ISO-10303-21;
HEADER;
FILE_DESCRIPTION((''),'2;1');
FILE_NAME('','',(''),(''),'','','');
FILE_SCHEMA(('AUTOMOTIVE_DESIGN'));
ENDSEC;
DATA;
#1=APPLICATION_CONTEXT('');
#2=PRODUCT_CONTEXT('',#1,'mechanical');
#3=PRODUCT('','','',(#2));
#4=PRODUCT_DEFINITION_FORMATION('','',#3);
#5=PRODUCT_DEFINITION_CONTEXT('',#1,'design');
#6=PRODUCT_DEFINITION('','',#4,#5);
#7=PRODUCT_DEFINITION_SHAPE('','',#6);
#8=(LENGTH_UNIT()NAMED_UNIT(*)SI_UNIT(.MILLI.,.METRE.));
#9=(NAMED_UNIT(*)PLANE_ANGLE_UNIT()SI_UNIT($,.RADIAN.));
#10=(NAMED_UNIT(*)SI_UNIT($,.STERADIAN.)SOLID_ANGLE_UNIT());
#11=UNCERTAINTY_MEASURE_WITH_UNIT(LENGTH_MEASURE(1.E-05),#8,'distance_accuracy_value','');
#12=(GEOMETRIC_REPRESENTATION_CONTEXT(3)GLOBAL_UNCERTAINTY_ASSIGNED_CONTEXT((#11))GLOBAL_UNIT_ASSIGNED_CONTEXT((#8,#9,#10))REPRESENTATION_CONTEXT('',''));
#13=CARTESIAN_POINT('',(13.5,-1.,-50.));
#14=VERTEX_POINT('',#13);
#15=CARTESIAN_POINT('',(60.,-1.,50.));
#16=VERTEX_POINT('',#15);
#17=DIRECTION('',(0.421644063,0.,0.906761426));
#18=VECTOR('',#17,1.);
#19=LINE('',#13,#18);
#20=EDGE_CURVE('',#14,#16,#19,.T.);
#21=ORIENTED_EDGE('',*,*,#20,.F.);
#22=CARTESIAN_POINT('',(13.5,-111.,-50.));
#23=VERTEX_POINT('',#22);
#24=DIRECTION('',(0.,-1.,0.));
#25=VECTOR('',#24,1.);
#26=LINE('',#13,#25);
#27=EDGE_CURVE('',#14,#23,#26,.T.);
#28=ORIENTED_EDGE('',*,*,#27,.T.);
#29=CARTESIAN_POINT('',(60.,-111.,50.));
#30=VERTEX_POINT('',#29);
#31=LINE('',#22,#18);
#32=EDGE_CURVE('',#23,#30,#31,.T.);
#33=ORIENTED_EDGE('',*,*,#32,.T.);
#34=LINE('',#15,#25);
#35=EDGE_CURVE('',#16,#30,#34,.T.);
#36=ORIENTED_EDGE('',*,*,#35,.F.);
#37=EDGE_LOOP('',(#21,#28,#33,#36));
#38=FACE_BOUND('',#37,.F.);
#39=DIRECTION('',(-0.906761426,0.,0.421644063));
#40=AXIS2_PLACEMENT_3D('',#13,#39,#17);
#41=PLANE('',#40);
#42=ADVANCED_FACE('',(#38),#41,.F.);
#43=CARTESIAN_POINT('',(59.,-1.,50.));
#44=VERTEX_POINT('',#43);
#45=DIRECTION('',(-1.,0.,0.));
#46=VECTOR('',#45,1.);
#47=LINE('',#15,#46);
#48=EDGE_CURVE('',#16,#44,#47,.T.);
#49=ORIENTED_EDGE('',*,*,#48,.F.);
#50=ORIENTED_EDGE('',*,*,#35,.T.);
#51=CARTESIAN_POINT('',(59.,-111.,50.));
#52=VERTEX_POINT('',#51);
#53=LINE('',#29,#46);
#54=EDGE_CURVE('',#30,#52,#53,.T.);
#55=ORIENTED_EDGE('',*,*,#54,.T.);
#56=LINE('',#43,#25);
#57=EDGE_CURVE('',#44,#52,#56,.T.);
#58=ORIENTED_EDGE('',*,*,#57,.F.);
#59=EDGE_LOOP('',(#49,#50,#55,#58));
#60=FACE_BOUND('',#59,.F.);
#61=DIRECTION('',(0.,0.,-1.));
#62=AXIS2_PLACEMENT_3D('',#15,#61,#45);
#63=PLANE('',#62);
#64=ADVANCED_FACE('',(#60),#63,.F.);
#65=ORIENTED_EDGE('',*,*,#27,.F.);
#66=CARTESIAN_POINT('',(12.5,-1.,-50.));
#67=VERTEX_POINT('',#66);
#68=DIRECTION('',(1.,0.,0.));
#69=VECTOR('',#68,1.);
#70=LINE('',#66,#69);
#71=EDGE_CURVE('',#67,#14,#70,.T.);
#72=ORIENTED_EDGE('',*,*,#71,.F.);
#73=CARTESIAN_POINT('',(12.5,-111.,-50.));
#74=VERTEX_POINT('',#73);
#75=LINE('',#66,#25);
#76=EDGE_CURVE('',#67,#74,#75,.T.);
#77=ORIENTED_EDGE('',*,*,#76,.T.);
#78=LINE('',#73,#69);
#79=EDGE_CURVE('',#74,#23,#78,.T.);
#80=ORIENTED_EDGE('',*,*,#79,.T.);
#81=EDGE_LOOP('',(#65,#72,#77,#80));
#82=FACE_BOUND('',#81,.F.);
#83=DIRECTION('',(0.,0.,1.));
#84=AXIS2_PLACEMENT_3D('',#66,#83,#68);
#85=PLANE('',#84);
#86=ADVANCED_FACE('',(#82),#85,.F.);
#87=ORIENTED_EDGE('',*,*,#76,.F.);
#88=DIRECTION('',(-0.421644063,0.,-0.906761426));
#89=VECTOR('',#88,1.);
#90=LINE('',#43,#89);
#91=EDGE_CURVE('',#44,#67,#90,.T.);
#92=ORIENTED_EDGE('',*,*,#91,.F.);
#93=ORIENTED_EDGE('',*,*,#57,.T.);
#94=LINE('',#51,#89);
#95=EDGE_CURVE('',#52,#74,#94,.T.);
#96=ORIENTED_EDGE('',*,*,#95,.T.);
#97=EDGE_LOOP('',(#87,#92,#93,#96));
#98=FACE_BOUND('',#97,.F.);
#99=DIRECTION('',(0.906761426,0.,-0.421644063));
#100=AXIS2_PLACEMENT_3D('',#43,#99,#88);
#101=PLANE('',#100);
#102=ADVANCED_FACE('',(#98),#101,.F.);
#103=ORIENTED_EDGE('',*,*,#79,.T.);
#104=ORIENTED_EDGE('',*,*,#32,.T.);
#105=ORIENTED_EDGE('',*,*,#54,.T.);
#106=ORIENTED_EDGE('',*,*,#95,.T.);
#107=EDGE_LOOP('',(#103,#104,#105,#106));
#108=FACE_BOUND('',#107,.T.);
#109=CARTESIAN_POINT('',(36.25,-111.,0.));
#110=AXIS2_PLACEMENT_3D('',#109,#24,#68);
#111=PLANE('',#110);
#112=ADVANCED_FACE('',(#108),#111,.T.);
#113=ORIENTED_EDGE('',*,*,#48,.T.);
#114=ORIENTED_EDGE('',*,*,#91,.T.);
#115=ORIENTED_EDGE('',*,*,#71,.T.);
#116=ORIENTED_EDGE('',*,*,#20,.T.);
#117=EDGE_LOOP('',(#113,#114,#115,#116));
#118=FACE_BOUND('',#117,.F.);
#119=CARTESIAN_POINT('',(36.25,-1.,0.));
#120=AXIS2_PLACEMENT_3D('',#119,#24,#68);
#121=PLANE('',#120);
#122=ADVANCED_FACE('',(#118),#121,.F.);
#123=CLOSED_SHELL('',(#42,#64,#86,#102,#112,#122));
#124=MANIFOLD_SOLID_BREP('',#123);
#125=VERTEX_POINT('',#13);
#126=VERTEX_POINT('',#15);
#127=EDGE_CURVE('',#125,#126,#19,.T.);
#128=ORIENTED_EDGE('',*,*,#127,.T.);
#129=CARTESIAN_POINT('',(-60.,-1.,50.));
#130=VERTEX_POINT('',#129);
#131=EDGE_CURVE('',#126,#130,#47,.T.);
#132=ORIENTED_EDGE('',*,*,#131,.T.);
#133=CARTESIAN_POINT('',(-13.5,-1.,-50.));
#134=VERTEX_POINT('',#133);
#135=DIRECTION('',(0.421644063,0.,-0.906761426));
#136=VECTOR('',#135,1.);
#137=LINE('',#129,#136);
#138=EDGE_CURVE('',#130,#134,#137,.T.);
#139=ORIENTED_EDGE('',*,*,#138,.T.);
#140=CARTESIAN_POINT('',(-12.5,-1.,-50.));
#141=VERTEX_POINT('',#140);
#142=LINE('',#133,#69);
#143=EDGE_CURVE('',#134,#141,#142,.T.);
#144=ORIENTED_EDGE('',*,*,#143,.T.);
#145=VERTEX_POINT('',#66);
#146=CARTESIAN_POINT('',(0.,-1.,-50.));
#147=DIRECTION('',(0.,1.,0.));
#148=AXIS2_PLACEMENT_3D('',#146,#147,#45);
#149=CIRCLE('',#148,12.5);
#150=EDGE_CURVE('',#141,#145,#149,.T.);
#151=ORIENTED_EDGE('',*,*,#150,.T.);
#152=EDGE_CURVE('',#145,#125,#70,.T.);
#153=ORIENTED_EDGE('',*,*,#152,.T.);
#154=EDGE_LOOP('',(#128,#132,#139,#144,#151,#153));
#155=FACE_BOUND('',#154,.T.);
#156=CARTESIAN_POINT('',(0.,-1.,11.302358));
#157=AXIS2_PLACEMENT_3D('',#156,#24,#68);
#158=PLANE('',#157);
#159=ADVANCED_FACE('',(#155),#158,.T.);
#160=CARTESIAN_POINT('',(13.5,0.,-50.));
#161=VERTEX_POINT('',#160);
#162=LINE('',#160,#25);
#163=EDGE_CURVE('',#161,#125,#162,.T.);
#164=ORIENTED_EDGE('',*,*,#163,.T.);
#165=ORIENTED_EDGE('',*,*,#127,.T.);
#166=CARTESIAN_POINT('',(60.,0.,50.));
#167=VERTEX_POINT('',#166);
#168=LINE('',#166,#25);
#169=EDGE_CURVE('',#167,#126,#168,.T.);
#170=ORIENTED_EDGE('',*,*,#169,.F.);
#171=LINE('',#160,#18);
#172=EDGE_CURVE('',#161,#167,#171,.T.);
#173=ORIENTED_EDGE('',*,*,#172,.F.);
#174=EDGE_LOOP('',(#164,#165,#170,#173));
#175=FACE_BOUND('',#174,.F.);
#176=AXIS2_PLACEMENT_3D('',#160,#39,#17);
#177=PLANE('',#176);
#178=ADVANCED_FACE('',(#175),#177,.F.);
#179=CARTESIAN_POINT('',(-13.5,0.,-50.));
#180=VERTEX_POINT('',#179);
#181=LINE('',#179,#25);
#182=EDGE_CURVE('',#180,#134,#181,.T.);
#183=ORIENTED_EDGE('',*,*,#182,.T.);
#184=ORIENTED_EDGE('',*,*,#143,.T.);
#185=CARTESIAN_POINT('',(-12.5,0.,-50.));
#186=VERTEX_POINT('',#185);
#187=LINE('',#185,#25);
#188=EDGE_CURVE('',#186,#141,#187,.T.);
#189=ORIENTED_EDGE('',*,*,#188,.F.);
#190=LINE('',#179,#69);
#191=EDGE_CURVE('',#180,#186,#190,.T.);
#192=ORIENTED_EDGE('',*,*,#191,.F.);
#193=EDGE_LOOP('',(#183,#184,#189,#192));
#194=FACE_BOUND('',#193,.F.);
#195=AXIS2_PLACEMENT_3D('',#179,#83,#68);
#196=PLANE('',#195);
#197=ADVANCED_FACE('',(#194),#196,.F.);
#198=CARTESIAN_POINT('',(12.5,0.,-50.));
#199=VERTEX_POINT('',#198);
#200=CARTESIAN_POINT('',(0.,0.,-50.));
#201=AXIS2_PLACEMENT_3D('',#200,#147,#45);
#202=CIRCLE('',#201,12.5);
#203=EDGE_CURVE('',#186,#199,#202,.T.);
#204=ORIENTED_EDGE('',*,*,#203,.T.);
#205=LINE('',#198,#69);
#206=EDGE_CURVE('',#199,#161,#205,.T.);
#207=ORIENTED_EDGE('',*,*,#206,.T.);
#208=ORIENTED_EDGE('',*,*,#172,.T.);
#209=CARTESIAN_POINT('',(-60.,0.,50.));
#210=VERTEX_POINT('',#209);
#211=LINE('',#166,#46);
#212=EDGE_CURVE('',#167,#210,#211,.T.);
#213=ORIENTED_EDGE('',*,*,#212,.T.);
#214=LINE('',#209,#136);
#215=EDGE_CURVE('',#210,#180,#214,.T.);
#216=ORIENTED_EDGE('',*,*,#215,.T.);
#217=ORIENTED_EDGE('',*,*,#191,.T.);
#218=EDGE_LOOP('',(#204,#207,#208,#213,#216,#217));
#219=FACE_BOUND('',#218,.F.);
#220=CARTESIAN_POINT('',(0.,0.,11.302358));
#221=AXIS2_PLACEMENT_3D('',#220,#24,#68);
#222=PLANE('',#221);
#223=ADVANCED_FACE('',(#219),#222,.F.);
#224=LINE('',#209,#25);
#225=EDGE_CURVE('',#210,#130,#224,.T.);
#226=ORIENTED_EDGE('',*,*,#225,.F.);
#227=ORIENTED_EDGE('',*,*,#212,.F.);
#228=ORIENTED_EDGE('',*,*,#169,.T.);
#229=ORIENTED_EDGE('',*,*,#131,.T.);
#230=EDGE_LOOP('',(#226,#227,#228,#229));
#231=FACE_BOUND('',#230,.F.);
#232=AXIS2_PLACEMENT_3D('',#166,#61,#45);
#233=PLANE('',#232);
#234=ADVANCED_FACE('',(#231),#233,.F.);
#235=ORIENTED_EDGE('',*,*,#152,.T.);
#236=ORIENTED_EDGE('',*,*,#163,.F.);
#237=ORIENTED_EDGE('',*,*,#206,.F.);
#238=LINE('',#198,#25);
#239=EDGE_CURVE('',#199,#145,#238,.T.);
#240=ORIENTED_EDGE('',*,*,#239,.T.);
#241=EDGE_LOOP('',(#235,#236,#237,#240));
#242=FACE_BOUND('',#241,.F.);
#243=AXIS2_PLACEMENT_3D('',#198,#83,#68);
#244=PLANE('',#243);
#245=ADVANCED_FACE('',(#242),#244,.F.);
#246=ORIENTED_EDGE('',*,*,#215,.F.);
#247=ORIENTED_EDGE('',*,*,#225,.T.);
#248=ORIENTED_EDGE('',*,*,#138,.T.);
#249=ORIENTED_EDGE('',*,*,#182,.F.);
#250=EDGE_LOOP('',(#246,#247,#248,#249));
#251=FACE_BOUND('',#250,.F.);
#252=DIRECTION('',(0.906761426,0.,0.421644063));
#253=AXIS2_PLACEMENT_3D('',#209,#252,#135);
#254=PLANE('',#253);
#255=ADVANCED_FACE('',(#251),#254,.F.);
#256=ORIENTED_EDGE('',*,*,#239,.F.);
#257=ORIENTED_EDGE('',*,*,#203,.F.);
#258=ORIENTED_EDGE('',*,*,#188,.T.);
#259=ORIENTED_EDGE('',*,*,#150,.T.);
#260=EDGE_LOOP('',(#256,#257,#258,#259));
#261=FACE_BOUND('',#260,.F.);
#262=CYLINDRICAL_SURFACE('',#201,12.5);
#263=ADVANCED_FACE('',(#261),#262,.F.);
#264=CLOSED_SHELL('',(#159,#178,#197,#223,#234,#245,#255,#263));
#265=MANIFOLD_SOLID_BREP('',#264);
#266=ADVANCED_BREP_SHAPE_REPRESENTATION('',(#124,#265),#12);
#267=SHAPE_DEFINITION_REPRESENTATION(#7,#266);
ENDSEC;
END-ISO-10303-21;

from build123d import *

# Parameters (mm, degrees)
F1_DEPTH = 1
F3_DEPTH = 110


with BuildPart() as f1:
    # F0 (on Front) → F1 (new body)
    with BuildSketch(Plane.XZ):
        with BuildLine():
            Line((60, 50), (-60, 50))
            Line((-60, 50), (-13.5, -50))
            Line((-13.5, -50), (-12.5, -50))
            ThreePointArc((-12.5, -50), (0, -37.5), (12.5, -50))
            Line((12.5, -50), (13.5, -50))
            Line((13.5, -50), (60, 50))
        make_face()
    extrude(amount=F1_DEPTH)


with BuildPart() as f3:
    # F2 (on face) → F3 (new body)
    with BuildSketch(Plane.XZ.offset(1)):
        Polygon((13.5, -50), (60, 50), (59, 50), (12.5, -50), align=None)
    extrude(amount=F3_DEPTH)


solid = Compound([f1.part, f3.part])
